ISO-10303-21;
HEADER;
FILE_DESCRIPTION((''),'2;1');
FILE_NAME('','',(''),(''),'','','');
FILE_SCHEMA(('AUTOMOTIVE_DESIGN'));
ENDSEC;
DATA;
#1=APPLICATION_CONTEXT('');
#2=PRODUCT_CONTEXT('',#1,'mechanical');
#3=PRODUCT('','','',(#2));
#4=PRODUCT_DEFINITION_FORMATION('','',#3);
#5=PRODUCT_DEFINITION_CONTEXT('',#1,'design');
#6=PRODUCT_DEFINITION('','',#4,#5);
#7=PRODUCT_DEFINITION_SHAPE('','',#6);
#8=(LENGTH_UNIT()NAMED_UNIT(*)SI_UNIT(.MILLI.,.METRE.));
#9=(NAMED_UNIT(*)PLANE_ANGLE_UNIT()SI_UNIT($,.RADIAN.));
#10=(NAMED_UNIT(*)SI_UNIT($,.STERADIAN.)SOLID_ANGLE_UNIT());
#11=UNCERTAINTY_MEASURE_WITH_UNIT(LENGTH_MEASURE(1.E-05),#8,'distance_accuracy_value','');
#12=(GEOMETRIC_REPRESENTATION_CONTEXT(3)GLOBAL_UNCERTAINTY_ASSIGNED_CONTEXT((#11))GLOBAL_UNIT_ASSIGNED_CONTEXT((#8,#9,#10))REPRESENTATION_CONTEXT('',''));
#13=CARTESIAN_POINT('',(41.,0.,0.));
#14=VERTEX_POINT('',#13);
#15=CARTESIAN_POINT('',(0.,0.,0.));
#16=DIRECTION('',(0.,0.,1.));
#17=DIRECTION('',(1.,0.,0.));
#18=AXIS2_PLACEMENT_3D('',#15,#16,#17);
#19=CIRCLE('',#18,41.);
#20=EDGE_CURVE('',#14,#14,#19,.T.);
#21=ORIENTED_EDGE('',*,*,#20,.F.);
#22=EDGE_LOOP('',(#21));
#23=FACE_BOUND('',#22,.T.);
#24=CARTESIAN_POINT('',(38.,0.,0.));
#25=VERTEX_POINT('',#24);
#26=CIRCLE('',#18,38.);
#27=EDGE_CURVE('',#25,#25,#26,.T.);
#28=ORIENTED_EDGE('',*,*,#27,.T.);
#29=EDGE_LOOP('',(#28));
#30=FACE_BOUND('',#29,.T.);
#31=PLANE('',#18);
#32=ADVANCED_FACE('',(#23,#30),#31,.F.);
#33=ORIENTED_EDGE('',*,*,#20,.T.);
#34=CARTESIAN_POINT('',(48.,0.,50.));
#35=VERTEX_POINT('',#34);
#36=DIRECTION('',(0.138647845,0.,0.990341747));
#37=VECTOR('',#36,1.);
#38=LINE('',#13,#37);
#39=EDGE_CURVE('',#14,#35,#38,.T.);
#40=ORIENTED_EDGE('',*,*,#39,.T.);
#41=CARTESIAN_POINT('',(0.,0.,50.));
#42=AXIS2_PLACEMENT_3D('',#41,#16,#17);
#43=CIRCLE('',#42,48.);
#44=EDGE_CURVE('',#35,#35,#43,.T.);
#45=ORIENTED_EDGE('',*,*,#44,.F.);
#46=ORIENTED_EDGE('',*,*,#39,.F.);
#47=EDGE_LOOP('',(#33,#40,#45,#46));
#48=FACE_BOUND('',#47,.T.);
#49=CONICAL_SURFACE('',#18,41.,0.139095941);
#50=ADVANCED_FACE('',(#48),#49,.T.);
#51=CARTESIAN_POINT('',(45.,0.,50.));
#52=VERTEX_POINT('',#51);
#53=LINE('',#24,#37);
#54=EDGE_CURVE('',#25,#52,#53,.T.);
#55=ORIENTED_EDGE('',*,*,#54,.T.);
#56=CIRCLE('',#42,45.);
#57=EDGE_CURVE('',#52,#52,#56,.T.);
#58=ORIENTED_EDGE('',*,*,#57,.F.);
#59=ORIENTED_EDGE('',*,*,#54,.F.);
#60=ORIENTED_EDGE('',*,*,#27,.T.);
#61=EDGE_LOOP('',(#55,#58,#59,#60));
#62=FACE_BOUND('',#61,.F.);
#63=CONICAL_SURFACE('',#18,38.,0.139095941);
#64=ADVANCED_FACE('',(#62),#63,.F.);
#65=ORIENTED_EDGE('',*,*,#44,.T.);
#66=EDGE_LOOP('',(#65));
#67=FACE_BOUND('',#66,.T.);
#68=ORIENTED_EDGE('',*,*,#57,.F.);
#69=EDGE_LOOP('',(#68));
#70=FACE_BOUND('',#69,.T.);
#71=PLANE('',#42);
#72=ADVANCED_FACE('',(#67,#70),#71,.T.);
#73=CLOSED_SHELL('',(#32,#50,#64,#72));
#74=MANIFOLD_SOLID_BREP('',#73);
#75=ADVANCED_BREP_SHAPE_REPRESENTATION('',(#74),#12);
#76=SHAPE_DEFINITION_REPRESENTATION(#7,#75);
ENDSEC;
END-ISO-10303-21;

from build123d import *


with BuildPart() as indvendig:
    # Cone → Cone (revolve)
    with BuildSketch(Plane.XZ):
        Polygon((0, 0), (38, 0), (45, 50), (0, 50), align=None)
    revolve(axis=Axis((0, 0, 0), (0, 0, 1)))


with BuildPart() as krus:
    # Cone001 → Cone001 (revolve)
    with BuildSketch(Plane.XZ):
        Polygon((0, 0), (41, 0), (48, 50), (0, 50), align=None)
    revolve(axis=Axis((0, 0, 0), (0, 0, 1)))

    # Cut: cut Indvendig
    add(indvendig.part, mode=Mode.SUBTRACT)


solid = krus.part
